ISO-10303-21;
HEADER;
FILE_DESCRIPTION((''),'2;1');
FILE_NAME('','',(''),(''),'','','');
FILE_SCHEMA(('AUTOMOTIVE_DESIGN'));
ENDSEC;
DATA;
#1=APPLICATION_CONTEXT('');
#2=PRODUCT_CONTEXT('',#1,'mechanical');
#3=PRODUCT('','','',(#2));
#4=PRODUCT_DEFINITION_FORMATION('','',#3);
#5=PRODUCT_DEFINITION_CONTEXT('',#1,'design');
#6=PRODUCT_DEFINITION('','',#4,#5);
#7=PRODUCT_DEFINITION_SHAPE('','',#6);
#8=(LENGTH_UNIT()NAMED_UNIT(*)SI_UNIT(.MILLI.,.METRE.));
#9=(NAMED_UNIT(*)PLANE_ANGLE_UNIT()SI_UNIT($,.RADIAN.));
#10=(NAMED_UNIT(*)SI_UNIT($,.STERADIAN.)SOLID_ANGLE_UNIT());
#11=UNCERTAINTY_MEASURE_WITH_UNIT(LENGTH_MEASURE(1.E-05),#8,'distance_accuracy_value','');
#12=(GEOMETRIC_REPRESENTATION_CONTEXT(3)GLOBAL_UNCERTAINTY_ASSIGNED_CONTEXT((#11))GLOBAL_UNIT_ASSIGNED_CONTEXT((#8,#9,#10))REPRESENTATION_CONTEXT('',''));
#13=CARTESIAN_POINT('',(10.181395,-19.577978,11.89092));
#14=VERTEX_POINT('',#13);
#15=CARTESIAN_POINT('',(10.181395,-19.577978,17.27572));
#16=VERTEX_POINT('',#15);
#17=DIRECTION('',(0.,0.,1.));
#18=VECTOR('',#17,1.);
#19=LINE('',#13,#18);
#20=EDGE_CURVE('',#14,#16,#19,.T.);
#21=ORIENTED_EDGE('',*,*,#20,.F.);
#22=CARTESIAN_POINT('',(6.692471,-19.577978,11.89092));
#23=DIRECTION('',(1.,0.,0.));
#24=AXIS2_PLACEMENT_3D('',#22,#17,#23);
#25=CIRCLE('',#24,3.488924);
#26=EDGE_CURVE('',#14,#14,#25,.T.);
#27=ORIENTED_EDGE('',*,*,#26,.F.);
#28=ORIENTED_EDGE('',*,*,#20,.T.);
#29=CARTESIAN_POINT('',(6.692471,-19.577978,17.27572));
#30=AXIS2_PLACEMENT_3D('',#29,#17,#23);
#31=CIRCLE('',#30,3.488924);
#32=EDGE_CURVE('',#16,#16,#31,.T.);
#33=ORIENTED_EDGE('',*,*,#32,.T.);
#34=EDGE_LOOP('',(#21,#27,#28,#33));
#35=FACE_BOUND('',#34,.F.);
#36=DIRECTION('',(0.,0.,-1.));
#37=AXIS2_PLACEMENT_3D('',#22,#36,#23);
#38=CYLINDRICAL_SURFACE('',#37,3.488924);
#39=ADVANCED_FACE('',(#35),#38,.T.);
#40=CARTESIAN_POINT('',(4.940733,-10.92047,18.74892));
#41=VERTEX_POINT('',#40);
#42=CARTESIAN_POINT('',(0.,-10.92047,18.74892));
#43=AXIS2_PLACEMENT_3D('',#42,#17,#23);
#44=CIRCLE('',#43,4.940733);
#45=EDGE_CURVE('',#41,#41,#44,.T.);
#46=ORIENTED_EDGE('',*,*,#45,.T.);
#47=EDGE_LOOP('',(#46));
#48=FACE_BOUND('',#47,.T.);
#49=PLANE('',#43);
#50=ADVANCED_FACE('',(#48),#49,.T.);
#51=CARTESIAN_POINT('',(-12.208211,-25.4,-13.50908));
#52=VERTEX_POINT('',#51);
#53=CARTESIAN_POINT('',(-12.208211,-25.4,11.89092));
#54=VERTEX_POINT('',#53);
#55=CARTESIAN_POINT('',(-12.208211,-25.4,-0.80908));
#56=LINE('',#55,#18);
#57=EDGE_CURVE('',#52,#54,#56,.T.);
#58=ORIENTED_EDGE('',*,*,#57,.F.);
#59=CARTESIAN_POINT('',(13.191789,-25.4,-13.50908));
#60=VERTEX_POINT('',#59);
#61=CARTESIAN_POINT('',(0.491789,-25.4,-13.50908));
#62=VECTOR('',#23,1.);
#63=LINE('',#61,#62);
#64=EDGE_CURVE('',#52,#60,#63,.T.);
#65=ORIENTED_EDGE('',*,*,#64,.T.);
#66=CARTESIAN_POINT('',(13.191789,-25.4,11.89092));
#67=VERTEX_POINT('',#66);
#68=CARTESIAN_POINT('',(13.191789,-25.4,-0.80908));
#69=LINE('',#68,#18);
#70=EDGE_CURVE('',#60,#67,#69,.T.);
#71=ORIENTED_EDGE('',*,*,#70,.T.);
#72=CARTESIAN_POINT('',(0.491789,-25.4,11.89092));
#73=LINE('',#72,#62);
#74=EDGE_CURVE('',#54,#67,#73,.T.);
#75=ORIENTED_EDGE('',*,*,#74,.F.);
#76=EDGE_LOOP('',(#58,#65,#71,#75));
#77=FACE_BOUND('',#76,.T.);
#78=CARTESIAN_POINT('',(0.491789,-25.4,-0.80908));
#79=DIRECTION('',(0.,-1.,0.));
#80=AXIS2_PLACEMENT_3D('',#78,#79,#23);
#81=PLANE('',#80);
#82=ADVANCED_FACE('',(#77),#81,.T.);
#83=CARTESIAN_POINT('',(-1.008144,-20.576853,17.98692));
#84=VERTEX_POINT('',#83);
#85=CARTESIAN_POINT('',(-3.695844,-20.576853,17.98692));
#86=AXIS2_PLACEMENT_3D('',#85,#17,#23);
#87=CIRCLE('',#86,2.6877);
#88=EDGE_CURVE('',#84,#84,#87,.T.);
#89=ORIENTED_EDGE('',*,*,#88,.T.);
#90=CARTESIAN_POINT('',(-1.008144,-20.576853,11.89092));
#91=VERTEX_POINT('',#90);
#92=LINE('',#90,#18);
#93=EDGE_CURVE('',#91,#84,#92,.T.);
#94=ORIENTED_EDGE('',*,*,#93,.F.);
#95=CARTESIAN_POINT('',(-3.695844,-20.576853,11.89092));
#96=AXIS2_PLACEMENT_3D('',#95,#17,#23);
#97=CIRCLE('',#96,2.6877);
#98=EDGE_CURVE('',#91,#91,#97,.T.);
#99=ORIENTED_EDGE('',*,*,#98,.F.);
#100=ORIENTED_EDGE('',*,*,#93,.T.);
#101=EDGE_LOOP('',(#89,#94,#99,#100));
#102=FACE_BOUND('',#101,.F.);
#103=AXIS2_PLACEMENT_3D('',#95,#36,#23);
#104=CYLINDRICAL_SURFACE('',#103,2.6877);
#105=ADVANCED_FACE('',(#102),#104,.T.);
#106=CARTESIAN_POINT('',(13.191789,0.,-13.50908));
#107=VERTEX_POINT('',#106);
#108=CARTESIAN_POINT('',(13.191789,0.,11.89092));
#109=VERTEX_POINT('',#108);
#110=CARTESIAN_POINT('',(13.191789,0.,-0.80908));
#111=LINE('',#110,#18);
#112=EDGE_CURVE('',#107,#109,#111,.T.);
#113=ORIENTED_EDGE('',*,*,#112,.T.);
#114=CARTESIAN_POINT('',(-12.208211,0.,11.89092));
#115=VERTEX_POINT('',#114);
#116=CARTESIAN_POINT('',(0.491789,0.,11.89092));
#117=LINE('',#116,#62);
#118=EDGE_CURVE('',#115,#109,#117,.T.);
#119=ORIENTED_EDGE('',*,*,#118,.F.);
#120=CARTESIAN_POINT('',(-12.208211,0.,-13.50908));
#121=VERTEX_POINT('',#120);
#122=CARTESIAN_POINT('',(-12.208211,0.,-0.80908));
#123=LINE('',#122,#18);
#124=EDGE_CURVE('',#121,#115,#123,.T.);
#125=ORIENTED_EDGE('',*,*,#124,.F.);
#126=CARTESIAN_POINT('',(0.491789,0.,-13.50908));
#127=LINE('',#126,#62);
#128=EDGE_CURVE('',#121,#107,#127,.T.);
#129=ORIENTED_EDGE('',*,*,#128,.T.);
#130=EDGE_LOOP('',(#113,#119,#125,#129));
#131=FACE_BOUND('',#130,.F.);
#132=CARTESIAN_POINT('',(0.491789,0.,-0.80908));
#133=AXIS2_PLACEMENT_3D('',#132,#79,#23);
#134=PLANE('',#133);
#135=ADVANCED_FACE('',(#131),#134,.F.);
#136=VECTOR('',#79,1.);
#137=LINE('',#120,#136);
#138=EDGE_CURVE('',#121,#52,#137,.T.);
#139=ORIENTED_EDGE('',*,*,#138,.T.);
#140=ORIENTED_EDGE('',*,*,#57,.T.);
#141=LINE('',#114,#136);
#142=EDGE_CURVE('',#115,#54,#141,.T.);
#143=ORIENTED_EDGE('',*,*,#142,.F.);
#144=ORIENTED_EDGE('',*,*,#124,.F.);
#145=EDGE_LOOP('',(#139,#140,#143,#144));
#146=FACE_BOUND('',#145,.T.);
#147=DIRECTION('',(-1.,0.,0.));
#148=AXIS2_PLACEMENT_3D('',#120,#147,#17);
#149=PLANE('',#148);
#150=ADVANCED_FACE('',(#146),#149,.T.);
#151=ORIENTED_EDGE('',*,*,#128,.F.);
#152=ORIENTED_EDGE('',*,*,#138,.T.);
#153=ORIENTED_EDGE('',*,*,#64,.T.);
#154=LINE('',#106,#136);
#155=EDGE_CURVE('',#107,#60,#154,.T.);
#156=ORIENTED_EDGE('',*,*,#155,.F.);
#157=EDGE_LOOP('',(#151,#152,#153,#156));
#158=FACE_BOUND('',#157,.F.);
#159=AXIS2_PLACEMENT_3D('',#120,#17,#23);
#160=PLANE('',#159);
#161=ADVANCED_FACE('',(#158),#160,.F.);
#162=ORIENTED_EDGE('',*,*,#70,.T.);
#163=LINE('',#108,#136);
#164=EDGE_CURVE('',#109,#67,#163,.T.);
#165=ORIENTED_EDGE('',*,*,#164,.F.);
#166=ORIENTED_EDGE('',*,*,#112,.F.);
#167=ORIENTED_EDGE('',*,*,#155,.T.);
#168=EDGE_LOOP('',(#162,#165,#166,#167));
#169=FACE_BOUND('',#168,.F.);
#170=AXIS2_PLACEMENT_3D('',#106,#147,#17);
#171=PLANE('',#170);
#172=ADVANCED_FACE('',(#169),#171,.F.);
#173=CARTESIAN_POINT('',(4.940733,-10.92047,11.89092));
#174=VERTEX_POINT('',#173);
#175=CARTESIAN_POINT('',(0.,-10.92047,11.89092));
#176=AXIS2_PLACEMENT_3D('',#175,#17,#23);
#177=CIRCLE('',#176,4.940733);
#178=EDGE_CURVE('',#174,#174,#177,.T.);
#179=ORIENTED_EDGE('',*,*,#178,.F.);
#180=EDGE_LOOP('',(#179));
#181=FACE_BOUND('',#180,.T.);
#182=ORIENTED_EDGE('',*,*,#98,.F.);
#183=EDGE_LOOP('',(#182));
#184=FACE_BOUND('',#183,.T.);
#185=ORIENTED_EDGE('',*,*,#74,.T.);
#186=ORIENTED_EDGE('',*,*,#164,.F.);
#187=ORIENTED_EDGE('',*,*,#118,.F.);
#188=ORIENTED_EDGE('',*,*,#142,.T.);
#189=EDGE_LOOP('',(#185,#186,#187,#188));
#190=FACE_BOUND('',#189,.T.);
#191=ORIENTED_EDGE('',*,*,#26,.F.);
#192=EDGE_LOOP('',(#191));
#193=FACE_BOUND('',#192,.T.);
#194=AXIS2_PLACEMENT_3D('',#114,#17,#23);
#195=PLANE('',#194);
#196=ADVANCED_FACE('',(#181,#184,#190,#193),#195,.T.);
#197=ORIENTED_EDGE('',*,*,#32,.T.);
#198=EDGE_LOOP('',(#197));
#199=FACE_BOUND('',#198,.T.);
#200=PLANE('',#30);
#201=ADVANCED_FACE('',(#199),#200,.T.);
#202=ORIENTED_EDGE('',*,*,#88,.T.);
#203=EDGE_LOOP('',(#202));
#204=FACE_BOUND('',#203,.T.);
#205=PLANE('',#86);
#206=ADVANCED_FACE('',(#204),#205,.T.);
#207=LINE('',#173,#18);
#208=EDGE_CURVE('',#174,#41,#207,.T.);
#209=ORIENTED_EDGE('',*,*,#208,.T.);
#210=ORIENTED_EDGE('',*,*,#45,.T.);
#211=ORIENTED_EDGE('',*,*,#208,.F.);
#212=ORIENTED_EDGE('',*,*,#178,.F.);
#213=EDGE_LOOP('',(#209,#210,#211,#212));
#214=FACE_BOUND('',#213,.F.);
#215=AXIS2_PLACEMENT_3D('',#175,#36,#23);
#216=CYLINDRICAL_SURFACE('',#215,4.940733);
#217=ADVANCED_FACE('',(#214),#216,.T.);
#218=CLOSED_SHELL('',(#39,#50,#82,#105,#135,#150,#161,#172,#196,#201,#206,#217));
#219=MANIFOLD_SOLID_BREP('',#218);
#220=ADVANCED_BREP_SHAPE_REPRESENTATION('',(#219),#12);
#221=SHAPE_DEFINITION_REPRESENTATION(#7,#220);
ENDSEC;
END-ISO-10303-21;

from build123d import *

# Parameters (mm, degrees)
F0_W     = 25.4
F0_H     = 25.4
F1_DEPTH = 25.4
F2_R     = 4.940733
F3_DEPTH = 6.858
F4_R     = 2.6877
F5_DEPTH = 6.096
F6_R     = 3.488924
F7_DEPTH = 5.3848


with BuildPart() as f1:
    # F0 (on Front) → F1 (new body)
    with BuildSketch(Plane.XZ):
        with Locations((0.491789, -0.80908)):
            Rectangle(F0_W, F0_H)
    extrude(amount=F1_DEPTH)

    # F2 (on face) → F3 (join)
    with BuildSketch(Plane.XY.offset(11.89092)):
        with Locations((0, -10.92047)):
            Circle(F2_R)
    extrude(amount=F3_DEPTH)

    # F4 (on face) → F5 (join)
    with BuildSketch(Plane.XY.offset(11.89092)):
        with Locations((-3.695844, -20.576853)):
            Circle(F4_R)
    extrude(amount=F5_DEPTH)

    # F6 (on face) → F7 (join)
    with BuildSketch(Plane.XY.offset(11.89092)):
        with Locations((6.692471, -19.577978)):
            Circle(F6_R)
    extrude(amount=F7_DEPTH)


solid = f1.part
